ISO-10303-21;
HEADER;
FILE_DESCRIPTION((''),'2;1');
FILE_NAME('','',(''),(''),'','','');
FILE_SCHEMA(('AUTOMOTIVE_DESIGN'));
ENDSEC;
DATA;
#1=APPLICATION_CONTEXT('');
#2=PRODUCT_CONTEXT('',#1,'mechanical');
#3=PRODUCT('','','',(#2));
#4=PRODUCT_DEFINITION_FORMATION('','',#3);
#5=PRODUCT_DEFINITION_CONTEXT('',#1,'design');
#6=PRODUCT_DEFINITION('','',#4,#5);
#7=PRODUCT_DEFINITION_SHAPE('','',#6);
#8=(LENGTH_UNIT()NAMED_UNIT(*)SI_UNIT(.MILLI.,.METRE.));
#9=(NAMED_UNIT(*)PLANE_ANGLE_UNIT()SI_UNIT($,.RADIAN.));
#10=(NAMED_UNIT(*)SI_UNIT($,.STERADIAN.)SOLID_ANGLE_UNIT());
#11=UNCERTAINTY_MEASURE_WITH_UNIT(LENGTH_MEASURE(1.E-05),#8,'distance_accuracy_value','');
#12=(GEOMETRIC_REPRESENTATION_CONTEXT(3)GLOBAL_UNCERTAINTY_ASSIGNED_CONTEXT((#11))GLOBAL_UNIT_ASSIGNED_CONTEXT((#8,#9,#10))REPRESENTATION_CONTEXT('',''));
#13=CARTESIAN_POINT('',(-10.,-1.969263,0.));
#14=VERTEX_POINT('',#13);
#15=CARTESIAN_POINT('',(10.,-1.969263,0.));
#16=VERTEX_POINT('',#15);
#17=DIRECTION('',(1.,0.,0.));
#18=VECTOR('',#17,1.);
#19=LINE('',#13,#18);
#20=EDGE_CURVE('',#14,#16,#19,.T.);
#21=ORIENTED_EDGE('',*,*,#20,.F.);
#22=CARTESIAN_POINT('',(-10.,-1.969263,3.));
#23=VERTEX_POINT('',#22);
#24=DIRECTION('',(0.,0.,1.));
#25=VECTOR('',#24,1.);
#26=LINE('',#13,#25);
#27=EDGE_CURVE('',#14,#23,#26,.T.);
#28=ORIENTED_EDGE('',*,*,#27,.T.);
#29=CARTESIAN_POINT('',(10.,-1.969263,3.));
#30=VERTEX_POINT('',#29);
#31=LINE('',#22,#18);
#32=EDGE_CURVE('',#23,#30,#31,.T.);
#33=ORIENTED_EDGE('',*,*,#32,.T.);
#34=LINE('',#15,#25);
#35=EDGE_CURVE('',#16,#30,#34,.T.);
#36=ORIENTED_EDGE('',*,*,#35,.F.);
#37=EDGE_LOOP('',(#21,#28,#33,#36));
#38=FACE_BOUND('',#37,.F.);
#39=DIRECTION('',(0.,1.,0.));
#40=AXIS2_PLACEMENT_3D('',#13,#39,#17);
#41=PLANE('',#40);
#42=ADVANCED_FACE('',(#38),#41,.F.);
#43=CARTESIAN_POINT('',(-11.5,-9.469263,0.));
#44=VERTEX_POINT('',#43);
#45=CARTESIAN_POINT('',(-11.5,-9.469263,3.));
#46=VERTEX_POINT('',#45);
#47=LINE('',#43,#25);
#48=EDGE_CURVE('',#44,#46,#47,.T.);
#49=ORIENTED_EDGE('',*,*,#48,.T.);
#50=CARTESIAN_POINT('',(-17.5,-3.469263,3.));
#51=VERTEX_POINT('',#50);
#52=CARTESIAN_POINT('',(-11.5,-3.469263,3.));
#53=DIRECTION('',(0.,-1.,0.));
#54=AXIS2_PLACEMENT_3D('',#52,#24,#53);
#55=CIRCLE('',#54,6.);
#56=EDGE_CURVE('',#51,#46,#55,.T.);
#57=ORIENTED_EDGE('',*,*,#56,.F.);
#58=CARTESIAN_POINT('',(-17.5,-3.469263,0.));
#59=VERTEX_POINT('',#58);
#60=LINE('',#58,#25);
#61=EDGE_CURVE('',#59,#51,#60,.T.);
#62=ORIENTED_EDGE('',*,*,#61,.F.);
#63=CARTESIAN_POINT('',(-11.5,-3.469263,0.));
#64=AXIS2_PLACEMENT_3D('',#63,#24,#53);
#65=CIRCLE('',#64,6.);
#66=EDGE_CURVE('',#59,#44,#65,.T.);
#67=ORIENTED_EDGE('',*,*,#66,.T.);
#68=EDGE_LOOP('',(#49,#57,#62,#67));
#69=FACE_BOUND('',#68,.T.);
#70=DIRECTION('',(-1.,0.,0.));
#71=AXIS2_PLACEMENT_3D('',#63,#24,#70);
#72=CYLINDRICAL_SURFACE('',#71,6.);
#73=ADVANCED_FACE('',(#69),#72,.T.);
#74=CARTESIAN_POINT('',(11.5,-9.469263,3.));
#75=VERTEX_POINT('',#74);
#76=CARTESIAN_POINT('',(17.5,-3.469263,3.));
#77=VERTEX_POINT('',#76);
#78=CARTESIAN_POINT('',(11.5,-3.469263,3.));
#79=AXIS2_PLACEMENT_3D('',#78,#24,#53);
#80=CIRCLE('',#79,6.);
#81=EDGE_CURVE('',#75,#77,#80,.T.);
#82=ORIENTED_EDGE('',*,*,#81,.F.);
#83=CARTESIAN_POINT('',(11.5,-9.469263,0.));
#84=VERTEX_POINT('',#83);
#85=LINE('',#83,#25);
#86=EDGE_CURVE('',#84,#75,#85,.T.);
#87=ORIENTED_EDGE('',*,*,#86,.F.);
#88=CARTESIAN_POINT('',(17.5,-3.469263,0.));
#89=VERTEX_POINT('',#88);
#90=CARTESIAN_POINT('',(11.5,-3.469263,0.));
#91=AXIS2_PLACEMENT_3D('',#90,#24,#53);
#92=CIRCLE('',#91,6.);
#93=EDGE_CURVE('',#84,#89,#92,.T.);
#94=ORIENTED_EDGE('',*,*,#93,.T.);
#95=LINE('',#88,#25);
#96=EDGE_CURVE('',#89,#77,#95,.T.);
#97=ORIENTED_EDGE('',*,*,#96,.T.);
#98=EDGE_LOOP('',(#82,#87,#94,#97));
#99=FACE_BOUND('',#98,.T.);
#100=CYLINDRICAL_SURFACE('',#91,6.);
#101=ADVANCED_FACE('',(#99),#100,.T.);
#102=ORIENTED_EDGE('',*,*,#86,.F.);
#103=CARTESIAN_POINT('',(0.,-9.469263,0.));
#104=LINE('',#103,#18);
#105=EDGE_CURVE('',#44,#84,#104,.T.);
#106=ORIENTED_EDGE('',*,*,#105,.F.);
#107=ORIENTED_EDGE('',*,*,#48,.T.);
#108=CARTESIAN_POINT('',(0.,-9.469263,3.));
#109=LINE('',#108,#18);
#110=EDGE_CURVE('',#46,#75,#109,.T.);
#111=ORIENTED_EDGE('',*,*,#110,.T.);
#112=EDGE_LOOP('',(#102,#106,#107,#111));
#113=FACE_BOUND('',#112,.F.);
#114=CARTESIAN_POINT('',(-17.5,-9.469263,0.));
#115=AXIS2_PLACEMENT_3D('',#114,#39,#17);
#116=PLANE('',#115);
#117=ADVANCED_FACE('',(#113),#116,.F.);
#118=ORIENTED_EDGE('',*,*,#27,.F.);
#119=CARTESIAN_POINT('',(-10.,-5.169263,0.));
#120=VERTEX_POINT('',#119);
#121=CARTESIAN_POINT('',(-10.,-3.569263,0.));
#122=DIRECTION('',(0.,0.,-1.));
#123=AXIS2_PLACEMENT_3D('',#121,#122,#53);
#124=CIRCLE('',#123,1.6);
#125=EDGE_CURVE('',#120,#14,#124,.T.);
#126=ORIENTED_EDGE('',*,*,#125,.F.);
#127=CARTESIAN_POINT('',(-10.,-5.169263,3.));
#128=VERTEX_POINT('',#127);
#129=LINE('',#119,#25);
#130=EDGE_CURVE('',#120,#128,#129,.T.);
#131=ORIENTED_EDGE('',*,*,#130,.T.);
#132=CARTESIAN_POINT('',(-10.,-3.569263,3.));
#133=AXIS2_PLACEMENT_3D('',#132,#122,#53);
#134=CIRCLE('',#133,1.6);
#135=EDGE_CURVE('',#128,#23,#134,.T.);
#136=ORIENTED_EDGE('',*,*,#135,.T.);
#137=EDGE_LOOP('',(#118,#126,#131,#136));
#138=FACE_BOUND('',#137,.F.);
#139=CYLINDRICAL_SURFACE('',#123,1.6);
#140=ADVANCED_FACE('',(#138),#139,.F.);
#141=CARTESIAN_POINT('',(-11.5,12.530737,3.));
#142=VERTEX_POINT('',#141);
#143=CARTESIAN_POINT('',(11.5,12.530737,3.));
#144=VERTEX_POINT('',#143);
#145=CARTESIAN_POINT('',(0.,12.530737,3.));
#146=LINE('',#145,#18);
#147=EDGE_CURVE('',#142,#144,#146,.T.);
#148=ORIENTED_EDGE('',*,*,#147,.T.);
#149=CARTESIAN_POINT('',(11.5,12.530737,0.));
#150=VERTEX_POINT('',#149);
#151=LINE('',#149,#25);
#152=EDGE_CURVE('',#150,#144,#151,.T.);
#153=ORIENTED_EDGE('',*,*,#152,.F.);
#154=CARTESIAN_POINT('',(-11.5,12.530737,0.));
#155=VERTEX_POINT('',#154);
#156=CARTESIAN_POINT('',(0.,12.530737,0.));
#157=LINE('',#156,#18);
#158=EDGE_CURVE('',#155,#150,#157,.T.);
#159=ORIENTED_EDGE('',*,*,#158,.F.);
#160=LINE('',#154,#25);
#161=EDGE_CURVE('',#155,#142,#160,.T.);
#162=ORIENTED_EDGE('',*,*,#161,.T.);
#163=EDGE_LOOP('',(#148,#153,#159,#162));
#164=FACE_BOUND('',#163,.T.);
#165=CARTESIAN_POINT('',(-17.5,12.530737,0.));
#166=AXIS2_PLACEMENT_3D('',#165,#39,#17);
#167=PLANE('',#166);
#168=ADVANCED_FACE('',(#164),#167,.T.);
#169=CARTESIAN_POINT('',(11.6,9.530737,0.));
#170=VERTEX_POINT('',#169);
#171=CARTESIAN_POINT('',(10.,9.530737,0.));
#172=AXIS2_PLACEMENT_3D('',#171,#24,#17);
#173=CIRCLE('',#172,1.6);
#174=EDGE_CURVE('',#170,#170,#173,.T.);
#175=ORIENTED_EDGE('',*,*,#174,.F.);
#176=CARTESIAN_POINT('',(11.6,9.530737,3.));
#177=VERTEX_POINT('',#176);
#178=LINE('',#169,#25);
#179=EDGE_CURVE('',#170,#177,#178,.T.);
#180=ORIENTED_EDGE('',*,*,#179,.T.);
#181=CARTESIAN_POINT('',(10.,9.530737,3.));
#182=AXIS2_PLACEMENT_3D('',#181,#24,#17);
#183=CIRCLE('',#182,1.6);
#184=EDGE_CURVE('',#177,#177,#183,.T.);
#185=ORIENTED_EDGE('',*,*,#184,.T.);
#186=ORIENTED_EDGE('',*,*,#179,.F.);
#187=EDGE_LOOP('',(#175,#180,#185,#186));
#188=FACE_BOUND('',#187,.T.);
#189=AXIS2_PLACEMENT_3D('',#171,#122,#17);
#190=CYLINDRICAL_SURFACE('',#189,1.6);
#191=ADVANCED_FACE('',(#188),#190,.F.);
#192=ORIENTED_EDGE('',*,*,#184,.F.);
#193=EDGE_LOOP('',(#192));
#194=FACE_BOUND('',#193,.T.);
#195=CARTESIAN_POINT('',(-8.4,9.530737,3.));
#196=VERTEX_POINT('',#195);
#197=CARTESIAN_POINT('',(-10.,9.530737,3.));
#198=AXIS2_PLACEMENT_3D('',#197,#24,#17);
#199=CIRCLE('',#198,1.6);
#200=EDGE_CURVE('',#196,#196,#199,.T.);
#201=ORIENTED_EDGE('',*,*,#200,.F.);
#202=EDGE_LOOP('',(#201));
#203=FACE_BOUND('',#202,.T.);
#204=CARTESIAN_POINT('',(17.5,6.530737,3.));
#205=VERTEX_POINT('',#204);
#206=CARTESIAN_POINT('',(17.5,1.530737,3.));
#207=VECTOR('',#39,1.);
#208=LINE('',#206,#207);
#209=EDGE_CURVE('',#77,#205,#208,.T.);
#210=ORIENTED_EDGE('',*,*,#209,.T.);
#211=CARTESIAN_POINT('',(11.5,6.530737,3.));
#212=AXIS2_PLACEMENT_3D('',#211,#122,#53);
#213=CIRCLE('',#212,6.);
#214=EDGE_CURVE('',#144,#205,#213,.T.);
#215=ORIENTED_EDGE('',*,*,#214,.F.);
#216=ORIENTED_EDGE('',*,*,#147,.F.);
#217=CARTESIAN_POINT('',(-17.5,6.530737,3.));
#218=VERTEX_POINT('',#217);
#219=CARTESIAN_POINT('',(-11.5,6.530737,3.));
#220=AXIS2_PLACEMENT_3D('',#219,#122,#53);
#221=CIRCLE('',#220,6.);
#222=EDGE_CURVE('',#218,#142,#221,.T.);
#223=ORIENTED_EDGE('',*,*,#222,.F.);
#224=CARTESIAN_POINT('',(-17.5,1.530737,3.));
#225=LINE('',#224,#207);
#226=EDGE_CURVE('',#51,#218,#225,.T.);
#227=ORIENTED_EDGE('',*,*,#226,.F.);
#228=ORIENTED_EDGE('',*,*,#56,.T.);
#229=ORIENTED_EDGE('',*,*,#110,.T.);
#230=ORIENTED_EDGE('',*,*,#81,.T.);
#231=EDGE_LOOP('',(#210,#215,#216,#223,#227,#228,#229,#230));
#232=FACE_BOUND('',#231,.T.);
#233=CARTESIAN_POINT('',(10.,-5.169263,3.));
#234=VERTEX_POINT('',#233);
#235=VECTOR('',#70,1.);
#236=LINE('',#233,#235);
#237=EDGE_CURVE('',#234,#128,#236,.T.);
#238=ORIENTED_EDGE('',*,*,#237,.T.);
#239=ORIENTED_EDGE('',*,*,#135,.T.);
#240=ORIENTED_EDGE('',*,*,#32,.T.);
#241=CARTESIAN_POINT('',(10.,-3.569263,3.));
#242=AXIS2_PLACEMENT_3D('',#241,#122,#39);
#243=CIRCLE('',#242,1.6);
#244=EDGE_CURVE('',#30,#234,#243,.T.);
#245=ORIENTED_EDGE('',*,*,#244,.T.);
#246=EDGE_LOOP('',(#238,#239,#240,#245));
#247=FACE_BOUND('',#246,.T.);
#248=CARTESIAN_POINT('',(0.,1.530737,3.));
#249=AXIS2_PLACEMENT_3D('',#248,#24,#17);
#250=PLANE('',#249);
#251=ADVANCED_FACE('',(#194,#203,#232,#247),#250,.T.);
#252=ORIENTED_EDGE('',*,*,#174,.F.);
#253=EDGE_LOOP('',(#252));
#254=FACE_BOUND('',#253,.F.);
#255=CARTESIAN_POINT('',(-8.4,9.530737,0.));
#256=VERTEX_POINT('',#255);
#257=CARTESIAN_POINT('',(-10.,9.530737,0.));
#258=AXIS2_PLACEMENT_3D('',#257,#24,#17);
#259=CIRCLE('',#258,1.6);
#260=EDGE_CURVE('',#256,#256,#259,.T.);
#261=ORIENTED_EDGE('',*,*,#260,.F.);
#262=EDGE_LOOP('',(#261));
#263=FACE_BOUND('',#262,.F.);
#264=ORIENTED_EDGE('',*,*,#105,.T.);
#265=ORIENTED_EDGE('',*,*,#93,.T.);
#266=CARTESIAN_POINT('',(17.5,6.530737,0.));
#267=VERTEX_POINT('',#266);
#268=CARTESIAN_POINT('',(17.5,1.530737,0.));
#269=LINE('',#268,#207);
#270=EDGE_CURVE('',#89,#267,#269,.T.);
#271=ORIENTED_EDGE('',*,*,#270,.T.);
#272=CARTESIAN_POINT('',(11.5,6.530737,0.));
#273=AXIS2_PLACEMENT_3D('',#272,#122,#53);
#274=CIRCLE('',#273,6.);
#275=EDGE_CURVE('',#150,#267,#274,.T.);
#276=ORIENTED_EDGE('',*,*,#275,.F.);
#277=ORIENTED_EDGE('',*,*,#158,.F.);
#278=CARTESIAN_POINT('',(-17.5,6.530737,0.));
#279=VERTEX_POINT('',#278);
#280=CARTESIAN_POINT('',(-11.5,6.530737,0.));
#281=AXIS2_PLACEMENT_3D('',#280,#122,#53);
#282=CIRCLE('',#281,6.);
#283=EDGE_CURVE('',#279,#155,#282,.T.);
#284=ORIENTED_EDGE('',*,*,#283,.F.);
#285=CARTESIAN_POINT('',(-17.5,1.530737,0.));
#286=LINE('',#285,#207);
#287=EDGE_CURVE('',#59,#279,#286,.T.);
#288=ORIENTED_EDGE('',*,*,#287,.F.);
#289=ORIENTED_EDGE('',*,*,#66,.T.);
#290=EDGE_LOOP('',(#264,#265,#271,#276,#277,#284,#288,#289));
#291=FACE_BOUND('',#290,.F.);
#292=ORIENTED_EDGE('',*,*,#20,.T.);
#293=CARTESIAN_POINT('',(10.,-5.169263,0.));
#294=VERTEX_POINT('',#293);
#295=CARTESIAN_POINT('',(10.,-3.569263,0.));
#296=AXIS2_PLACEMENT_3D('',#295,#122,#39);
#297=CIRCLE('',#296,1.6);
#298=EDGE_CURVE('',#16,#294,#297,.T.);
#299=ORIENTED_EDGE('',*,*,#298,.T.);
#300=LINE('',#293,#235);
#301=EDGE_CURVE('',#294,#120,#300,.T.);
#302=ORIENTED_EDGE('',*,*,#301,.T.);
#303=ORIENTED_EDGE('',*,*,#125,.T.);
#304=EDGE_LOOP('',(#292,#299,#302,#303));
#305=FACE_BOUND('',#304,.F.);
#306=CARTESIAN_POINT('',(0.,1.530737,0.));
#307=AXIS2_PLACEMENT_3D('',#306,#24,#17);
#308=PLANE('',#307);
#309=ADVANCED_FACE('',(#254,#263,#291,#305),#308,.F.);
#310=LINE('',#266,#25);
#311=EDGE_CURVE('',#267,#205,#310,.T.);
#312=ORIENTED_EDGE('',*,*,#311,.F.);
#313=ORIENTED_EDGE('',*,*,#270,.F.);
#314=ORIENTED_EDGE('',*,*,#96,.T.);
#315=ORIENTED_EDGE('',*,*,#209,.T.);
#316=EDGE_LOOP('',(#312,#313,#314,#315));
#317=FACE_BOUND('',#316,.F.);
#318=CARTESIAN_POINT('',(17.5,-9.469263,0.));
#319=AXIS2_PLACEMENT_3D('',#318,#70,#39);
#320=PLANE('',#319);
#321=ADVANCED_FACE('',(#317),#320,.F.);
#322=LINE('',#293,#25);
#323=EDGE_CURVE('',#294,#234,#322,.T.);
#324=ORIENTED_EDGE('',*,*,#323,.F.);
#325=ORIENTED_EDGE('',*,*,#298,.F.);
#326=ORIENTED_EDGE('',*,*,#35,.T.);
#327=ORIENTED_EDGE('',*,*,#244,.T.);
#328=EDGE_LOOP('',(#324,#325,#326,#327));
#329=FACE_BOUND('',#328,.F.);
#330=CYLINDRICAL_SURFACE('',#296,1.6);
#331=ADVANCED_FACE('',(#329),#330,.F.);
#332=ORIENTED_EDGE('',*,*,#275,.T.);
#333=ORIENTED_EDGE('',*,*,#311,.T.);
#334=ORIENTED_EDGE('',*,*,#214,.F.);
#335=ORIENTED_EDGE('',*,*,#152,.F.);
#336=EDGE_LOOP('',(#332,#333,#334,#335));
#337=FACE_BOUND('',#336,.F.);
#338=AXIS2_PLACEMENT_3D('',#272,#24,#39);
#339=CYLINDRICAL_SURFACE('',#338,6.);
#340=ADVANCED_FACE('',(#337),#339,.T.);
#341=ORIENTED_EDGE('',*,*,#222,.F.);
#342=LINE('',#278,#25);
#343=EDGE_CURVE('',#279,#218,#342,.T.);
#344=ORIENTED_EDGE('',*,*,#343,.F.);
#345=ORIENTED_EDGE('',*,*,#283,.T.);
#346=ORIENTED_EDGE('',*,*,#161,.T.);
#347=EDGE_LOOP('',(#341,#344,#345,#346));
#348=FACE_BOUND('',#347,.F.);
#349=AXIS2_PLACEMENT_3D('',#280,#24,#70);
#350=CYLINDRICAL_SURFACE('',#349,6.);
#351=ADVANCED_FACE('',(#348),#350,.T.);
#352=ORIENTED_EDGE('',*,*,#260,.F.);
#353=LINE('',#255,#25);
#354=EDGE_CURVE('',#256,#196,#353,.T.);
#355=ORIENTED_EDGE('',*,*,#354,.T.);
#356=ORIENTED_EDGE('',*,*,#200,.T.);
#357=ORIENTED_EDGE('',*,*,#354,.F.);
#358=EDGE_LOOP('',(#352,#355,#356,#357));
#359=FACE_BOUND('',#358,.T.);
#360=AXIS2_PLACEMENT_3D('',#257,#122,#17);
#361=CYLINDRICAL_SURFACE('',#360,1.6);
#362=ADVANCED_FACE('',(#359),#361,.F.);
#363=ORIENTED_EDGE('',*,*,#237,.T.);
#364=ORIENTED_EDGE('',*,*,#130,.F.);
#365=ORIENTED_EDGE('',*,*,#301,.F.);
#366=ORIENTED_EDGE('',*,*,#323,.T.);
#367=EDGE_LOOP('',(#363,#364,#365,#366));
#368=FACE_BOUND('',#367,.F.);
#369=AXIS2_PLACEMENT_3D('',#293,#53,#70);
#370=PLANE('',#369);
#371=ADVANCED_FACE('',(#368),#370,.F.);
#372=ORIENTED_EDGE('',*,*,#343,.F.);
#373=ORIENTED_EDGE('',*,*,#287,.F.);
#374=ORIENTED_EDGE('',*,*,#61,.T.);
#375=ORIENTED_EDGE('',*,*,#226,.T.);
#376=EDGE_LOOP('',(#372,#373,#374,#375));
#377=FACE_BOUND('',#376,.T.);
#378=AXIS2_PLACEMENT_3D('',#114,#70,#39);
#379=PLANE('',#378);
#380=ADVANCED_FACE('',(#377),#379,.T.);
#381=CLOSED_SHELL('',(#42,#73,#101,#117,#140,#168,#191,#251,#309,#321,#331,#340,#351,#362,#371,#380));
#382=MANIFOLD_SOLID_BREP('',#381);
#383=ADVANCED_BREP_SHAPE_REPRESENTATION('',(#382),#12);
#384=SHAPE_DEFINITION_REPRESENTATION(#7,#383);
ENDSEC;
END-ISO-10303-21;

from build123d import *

# Parameters (mm, degrees)
F0_W     = 35
F0_H     = 22
F0_R     = 1.6
F1_DEPTH = 3
F2_R     = 6


with BuildPart() as f1:
    # F0 (on Top) → F1 (new body)
    with BuildSketch(Plane.XY):
        with Locations((0, 1.530737)):
            Rectangle(F0_W, F0_H)
        with BuildLine():
            ThreePointArc((-10, -5.169263), (-11.6, -3.569263), (-10, -1.969263))
            Line((-10, -1.969263), (10, -1.969263))
            ThreePointArc((10, -1.969263), (11.6, -3.569263), (10, -5.169263))
            Line((10, -5.169263), (-10, -5.169263))
        make_face(mode=Mode.SUBTRACT)
        with Locations((-10, 9.530737)):
            Circle(F0_R, mode=Mode.SUBTRACT)
        with Locations((10, 9.530737)):
            Circle(F0_R, mode=Mode.SUBTRACT)
    extrude(amount=F1_DEPTH)

    # F2
    f2_edges = [f1.edges().sort_by_distance(p)[0] for p in [
        (-17.5, -9.469263, 1.5),
        (-17.5, 12.530737, 1.5),
        (17.5, 12.530737, 1.5),
        (17.5, -9.469263, 1.5),
    ]]
    fillet(f2_edges, radius=F2_R)


solid = f1.part
